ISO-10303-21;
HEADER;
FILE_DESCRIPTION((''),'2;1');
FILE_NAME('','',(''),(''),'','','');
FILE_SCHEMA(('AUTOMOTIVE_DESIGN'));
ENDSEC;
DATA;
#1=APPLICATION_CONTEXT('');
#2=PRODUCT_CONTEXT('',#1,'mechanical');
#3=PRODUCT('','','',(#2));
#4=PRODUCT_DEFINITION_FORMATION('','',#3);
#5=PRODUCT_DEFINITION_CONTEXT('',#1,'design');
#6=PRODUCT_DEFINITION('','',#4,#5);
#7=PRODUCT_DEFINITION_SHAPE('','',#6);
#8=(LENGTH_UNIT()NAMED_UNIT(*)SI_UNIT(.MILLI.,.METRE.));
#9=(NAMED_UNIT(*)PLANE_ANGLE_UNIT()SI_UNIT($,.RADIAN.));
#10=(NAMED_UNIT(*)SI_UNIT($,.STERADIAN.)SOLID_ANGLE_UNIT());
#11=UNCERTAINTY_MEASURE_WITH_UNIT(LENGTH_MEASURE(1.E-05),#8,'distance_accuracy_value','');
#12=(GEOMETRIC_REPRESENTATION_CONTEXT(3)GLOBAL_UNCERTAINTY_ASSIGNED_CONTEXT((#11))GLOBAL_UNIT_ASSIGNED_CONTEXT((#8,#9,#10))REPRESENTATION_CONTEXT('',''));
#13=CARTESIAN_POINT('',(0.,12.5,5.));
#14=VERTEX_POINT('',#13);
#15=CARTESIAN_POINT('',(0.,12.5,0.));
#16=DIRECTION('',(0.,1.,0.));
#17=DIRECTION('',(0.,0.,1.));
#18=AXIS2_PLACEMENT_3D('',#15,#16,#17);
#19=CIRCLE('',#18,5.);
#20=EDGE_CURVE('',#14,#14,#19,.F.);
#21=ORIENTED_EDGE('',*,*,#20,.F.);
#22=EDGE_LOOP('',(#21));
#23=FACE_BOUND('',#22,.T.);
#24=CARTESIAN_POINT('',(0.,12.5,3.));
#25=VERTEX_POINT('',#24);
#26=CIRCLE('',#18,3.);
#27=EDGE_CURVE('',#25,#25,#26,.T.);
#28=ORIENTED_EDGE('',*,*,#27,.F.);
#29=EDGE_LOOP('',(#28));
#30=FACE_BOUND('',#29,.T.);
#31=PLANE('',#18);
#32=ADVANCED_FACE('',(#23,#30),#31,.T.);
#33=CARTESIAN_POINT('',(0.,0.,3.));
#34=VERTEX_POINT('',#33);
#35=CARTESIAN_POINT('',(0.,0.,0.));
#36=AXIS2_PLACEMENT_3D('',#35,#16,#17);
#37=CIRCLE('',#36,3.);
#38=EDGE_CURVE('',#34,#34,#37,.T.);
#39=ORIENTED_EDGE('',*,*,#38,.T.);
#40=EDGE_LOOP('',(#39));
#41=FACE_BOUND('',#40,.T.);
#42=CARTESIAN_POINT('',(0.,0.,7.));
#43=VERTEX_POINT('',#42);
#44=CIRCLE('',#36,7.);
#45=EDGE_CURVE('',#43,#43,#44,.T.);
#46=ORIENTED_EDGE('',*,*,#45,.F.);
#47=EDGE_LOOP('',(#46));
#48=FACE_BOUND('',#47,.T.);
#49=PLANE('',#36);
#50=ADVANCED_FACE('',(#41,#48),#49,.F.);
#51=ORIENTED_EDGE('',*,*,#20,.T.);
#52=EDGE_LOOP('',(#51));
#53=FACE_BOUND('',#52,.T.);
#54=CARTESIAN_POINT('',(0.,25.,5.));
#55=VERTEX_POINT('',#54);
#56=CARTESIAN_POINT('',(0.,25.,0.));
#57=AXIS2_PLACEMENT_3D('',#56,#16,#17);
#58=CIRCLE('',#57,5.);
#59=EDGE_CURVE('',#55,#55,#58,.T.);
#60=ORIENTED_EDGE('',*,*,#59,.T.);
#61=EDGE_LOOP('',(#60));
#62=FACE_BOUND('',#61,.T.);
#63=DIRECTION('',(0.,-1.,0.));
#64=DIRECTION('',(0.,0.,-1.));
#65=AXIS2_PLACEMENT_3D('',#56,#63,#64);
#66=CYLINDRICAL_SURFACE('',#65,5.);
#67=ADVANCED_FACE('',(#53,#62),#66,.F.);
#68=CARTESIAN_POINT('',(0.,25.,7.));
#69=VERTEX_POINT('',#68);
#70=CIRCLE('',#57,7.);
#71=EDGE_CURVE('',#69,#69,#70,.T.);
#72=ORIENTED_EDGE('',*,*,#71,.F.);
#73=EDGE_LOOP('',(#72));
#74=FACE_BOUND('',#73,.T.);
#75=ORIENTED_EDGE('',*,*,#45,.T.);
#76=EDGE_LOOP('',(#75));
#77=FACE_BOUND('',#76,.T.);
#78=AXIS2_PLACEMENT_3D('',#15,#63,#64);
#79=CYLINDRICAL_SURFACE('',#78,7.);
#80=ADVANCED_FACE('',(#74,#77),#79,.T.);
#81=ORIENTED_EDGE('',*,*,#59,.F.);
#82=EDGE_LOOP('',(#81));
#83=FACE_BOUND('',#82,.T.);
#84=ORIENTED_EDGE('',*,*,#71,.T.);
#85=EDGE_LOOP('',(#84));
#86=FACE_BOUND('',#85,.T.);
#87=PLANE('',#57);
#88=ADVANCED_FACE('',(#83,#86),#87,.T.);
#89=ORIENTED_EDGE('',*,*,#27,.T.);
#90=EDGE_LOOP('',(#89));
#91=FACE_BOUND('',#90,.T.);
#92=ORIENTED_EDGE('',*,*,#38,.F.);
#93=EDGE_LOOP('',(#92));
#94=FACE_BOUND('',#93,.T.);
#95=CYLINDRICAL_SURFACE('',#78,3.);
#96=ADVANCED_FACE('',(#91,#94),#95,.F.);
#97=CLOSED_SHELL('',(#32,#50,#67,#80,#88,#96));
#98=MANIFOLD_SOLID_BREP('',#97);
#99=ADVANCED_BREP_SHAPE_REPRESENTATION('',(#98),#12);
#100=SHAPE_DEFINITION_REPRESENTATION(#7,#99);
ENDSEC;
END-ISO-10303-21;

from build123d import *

# Parameters (mm, degrees)
SKETCH_1_R      = 7
SKETCH_1_R_2    = 3
EXTRUDE_1_DEPTH = 12.5
SKETCH_2_R      = 7
SKETCH_2_R_2    = 5
EXTRUDE_2_DEPTH = 12.5


with BuildPart() as part:
    # 草图1 → 凸台-拉伸1 (new body)
    with BuildSketch(Plane(origin=(0, 0, 0), x_dir=(1, 0, 0), z_dir=(0, 1, 0))):
        with Locations(Location((0, 0, 0), (0, 0, 270))):
            Circle(SKETCH_1_R)
        with Locations(Location((0, 0, 0), (0, 0, 270))):
            Circle(SKETCH_1_R_2, mode=Mode.SUBTRACT)
    extrude(amount=EXTRUDE_1_DEPTH)

    # 草图2 → 凸台-拉伸2 (add)
    with BuildSketch(Plane(origin=(0, 12.5, 0), x_dir=(1, 0, 0), z_dir=(0, 1, 0))):
        with Locations(Location((0, 0, 0), (0, 0, 270))):
            Circle(SKETCH_2_R)
        with Locations(Location((0, 0, 0), (0, 0, 270))):
            Circle(SKETCH_2_R_2, mode=Mode.SUBTRACT)
    extrude(amount=EXTRUDE_2_DEPTH)


solid = part.part
